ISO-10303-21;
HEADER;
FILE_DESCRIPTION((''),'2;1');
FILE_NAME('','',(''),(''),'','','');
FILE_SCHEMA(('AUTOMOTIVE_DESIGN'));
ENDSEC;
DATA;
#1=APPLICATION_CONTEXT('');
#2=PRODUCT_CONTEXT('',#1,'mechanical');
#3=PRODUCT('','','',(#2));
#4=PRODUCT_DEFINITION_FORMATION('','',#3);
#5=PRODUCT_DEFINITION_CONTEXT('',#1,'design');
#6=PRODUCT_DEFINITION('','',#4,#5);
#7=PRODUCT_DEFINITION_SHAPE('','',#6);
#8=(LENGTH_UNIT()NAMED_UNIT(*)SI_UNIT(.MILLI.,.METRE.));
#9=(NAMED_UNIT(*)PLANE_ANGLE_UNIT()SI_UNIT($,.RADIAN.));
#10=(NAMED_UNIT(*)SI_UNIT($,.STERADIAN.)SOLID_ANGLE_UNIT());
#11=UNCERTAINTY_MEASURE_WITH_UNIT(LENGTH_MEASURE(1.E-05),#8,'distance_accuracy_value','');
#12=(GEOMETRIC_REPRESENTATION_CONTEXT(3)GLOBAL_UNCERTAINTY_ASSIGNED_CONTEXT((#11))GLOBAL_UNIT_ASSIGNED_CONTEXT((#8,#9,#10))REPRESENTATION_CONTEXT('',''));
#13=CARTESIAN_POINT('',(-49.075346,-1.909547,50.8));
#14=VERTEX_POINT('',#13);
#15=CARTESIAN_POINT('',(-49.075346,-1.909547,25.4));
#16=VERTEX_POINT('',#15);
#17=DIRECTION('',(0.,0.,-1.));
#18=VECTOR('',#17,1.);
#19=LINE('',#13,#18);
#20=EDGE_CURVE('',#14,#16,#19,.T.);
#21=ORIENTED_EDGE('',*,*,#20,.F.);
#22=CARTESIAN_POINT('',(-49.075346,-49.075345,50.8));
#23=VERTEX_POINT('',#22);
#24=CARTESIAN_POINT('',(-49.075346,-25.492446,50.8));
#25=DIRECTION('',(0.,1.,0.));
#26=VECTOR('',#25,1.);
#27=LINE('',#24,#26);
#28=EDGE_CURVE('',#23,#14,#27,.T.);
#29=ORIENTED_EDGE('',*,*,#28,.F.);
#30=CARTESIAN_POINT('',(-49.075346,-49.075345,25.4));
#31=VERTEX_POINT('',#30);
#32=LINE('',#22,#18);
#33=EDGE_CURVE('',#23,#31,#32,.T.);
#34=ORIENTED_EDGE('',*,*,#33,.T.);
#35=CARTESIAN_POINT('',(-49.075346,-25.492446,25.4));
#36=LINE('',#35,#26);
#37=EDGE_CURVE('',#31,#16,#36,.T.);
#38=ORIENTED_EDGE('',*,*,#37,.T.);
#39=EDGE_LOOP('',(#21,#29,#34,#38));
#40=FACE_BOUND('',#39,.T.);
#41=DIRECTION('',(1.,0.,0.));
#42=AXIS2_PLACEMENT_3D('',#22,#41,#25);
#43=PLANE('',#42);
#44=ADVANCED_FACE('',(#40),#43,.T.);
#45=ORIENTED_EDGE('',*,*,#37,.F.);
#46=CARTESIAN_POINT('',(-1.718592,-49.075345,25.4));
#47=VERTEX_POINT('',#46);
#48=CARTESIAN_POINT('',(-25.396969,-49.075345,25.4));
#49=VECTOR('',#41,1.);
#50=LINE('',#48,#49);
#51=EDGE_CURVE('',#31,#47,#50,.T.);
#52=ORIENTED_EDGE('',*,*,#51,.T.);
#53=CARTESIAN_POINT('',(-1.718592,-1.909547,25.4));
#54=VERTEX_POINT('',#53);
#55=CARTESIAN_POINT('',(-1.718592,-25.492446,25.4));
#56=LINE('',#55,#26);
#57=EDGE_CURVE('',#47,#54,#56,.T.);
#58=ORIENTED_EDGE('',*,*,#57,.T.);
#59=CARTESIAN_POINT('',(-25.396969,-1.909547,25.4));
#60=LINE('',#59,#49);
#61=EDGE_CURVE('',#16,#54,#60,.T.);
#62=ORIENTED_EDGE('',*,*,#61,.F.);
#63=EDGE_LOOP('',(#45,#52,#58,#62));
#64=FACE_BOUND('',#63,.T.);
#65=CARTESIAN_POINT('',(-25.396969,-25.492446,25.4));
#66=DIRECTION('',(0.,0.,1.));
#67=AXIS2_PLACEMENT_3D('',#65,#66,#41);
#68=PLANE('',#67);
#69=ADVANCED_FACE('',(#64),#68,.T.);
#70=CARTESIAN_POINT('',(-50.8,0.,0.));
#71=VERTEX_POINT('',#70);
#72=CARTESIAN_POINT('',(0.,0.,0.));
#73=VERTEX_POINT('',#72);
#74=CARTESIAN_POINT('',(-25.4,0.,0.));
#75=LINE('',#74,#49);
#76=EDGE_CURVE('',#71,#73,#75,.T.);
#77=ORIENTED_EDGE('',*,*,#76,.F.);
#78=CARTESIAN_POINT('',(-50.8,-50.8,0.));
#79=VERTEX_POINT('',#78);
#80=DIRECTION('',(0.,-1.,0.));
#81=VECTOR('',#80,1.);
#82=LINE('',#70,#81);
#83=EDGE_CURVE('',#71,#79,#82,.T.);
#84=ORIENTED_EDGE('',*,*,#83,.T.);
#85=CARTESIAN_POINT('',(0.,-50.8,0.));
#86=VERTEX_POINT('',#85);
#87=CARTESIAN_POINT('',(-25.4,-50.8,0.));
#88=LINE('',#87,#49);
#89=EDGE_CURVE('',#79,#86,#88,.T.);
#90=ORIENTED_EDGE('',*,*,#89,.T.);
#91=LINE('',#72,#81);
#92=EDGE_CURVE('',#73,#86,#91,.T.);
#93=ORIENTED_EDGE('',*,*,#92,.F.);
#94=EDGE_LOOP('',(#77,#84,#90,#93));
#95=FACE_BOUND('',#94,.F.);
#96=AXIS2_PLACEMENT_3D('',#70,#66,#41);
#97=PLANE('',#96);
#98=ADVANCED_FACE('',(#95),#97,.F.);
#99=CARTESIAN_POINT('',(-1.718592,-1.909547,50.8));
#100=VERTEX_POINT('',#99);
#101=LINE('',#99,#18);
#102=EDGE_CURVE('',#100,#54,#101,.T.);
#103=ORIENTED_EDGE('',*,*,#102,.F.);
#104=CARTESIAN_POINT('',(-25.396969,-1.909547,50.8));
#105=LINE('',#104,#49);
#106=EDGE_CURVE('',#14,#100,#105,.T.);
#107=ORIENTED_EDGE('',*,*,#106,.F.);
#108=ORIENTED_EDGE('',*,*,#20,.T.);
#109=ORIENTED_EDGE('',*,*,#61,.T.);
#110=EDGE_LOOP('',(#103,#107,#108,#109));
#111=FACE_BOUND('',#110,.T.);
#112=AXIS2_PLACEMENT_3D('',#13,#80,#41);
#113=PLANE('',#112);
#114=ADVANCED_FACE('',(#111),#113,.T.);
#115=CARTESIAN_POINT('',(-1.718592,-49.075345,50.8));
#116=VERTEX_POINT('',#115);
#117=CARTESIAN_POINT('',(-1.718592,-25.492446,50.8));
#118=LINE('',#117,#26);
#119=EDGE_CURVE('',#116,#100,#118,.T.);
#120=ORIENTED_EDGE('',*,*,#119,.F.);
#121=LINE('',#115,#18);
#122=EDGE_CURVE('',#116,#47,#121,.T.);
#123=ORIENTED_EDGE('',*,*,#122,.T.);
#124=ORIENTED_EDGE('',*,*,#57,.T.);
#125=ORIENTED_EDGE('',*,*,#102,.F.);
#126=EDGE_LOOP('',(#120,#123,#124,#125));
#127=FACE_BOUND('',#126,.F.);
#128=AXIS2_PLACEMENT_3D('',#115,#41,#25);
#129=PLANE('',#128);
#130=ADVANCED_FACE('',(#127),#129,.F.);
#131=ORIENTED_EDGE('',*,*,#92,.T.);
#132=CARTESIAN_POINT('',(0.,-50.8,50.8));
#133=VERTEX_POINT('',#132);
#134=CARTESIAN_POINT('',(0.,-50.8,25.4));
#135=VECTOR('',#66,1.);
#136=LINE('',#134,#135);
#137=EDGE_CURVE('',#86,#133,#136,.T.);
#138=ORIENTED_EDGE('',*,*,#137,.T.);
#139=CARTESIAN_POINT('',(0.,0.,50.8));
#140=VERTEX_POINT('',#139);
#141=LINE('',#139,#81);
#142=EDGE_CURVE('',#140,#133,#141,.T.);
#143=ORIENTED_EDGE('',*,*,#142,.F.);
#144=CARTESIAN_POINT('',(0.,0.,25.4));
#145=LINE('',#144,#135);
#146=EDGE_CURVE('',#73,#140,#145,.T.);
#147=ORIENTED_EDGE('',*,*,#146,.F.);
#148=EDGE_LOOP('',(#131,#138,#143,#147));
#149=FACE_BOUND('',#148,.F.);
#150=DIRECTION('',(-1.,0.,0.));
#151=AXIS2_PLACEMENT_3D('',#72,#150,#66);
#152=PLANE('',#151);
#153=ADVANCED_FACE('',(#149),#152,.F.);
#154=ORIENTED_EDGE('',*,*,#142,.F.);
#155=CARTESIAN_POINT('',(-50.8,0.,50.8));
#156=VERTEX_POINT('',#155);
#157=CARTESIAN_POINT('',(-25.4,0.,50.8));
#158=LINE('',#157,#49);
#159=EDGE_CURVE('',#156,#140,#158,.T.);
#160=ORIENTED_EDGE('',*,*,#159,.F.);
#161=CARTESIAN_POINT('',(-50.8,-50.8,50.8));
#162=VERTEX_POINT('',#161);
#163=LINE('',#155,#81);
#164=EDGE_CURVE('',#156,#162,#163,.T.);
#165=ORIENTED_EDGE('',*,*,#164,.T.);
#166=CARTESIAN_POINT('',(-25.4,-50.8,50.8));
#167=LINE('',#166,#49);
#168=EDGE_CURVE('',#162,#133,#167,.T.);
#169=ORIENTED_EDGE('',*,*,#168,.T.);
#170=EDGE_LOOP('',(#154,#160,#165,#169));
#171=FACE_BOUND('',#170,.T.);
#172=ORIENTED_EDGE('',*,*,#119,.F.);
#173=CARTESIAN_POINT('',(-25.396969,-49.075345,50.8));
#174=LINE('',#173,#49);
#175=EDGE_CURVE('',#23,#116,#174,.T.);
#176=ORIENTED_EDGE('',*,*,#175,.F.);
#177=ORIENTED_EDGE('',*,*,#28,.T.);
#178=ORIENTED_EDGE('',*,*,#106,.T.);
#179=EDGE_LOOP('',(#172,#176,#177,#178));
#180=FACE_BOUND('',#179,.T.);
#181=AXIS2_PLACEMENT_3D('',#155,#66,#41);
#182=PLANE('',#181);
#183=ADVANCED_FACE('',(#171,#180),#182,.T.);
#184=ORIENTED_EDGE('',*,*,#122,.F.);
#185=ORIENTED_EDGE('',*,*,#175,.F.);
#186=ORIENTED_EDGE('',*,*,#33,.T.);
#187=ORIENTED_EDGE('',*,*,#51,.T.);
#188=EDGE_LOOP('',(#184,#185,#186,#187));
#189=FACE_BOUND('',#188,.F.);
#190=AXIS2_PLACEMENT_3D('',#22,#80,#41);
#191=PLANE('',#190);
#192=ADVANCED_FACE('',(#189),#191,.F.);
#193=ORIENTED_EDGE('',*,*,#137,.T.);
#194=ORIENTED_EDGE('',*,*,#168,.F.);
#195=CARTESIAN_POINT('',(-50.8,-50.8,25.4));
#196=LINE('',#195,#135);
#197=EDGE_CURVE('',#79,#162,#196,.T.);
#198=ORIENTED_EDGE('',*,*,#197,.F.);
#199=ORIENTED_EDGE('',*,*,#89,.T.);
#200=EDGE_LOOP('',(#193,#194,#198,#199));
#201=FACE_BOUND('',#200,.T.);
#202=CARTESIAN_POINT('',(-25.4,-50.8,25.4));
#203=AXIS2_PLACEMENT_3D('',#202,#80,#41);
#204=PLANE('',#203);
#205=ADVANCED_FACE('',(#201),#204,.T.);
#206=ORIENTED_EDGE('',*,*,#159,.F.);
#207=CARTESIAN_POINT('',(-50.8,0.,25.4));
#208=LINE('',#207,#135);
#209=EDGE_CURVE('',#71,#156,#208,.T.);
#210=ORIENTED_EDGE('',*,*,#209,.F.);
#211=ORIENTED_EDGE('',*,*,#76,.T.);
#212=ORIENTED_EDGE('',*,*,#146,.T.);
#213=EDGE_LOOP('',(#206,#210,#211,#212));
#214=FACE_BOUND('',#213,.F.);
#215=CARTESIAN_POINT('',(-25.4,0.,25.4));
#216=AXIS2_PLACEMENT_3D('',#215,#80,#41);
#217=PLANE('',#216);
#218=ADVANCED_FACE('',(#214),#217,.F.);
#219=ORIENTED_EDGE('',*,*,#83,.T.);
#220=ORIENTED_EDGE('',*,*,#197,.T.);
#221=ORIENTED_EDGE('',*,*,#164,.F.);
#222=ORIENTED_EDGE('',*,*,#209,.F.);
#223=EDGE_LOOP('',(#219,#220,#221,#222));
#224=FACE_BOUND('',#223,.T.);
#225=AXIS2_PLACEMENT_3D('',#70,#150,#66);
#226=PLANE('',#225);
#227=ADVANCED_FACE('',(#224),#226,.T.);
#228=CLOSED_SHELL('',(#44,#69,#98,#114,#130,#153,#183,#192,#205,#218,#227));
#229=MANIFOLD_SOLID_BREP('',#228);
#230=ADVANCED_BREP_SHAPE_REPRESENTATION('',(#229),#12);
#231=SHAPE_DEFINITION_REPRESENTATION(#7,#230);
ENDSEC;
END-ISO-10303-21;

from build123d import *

# Parameters (mm, degrees)
F0_W     = 50.8
F0_H     = 50.8
F1_DEPTH = 50.8
F2_W     = 47.356754
F2_H     = 47.165799
F3_DEPTH = 25.4


with BuildPart() as f1:
    # F0 (on Front) → F1 (new body)
    with BuildSketch(Plane.XZ):
        with Locations((-25.4, 25.4)):
            Rectangle(F0_W, F0_H)
    extrude(amount=F1_DEPTH)

    # F2 (on face) → F3 (cut)
    with BuildSketch(Plane.XY.offset(50.8)):
        with Locations((-25.396969, -25.492446)):
            Rectangle(F2_W, F2_H)
    extrude(amount=-F3_DEPTH, mode=Mode.SUBTRACT)


solid = f1.part
